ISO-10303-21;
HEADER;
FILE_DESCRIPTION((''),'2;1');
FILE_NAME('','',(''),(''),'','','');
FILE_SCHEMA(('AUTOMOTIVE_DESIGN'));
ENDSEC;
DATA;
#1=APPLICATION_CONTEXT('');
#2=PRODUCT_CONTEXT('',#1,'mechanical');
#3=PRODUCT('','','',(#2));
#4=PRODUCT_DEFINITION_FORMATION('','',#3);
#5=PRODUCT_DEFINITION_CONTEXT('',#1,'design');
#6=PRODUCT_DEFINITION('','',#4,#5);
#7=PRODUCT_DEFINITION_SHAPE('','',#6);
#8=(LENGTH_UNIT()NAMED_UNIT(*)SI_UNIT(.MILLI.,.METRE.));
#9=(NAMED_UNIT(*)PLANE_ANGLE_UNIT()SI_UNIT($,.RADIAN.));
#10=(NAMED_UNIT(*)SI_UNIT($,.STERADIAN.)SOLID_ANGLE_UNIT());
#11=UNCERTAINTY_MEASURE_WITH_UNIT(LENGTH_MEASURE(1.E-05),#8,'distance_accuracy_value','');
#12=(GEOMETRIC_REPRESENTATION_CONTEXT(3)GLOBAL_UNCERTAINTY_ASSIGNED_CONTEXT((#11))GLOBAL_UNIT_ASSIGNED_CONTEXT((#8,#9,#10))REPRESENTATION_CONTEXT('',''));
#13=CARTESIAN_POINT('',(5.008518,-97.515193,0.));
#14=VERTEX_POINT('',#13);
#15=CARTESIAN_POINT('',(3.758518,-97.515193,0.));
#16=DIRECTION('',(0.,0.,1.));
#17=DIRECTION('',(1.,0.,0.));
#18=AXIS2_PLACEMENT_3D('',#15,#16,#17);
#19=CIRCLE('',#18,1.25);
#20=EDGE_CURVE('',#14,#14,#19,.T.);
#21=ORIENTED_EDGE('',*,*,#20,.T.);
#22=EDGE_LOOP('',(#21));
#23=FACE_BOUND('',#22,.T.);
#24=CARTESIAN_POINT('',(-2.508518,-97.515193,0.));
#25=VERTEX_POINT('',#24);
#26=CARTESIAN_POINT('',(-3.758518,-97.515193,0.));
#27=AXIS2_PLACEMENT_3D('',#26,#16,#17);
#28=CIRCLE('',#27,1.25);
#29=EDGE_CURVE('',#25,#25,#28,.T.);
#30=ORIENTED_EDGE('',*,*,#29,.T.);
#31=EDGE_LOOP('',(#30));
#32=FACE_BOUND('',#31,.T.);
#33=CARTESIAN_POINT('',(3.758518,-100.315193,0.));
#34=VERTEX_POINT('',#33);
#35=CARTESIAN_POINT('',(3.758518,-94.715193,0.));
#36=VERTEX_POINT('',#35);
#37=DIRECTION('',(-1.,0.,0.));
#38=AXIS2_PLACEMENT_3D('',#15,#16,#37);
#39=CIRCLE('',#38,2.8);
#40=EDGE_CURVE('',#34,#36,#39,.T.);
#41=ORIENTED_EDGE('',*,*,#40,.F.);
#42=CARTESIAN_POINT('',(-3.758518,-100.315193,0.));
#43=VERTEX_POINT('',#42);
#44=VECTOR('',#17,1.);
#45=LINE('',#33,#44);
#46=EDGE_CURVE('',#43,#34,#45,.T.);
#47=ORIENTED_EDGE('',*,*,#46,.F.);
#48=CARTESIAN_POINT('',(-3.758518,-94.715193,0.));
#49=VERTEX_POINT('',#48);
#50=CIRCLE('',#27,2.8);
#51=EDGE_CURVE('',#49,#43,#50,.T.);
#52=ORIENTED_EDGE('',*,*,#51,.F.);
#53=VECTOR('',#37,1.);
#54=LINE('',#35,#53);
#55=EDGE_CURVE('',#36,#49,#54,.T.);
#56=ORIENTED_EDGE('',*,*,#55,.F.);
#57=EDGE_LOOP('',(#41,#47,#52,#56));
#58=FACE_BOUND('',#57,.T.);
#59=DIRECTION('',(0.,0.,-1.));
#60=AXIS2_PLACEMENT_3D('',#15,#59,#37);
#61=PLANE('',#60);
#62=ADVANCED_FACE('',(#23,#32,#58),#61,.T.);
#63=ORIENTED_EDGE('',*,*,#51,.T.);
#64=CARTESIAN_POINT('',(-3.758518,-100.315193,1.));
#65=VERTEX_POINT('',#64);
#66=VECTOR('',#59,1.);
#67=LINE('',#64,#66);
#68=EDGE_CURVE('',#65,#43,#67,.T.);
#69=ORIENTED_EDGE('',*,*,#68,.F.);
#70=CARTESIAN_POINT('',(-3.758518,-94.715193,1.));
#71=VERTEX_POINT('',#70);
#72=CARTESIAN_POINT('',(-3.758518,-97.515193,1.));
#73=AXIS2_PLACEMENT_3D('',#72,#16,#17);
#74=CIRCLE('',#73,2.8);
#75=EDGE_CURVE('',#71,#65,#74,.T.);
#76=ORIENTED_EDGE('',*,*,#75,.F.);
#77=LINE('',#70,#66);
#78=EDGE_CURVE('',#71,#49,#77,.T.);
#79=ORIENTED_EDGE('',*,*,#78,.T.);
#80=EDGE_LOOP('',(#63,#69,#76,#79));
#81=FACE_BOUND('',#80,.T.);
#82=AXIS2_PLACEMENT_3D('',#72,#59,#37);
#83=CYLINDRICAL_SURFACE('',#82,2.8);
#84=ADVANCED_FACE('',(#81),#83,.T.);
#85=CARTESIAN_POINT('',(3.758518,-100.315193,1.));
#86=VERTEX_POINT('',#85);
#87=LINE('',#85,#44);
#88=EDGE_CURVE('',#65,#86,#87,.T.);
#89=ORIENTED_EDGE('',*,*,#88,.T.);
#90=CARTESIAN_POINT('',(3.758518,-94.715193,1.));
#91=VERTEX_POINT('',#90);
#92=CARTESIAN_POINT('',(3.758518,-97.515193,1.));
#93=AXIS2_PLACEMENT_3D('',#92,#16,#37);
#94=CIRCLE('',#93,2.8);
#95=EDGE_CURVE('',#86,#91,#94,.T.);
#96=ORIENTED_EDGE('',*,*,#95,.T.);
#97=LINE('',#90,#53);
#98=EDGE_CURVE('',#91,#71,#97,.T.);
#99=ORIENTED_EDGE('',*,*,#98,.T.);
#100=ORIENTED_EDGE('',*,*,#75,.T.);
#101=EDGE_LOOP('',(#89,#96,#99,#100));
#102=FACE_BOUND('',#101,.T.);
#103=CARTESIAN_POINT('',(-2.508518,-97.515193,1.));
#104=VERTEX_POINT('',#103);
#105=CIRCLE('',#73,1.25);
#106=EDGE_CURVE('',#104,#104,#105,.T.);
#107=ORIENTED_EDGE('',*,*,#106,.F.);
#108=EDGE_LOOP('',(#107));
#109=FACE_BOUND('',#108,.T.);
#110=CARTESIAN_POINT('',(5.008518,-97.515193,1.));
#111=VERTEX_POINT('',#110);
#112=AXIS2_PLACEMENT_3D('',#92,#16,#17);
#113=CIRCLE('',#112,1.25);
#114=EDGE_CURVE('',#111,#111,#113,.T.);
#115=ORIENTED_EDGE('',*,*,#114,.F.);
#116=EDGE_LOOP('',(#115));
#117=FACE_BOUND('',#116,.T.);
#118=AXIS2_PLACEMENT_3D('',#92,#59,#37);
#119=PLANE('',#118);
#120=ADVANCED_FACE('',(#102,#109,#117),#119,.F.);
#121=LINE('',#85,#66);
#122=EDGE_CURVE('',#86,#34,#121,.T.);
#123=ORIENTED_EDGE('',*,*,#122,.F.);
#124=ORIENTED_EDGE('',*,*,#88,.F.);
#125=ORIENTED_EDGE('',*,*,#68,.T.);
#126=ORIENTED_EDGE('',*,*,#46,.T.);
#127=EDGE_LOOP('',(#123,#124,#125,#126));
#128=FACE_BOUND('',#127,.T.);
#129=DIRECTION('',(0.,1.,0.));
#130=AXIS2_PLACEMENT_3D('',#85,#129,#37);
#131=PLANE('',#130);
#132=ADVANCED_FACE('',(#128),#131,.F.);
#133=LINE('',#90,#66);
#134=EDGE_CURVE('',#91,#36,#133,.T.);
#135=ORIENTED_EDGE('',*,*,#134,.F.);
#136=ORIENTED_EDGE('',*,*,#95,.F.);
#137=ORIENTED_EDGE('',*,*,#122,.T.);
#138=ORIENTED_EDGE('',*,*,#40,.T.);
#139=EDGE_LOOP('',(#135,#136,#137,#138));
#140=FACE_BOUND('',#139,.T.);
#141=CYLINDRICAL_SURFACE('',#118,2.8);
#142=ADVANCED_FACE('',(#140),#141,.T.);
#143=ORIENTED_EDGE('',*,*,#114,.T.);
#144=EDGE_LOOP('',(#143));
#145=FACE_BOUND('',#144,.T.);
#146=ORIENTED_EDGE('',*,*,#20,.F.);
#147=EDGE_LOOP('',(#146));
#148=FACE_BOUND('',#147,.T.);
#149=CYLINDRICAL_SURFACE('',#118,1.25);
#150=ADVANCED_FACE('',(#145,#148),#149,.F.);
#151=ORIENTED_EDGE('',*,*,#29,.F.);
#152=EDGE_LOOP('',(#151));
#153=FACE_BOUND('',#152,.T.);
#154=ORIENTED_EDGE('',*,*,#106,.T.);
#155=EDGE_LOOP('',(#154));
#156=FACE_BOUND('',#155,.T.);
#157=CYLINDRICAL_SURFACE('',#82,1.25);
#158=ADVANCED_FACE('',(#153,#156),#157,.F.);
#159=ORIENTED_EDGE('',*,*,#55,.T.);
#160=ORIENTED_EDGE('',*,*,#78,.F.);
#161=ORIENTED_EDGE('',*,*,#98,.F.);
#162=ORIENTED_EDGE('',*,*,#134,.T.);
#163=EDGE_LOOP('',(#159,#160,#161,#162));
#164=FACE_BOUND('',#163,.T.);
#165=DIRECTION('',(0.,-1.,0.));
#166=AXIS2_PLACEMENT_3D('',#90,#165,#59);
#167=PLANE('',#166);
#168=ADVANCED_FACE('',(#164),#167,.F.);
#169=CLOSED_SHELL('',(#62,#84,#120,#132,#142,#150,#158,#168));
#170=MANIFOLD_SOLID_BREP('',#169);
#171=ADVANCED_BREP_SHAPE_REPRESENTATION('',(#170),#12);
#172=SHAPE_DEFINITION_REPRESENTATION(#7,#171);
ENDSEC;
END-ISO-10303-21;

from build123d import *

# Parameters (mm, degrees)
SKETCH_1_R      = 1.250000002
SKETCH_1_R_2    = 1.25
EXTRUDE_1_DEPTH = 1


with BuildPart() as part:
    # 草图1 → 凸台-拉伸1 (new body)
    with BuildSketch(Plane.XY):
        with BuildLine():
            Line((3.758518176, -94.715193203), (-3.758518176, -94.715193203))
            ThreePointArc((-3.758518176, -94.715193203), (-6.558518176, -97.515193203), (-3.758518176, -100.315193203))
            Line((-3.758518176, -100.315193203), (3.758518176, -100.315193203))
            ThreePointArc((3.758518176, -100.315193203), (6.558518176, -97.515193203), (3.758518176, -94.715193203))
        make_face()
        with Locations((3.758518176, -97.515193203)):
            Circle(SKETCH_1_R, mode=Mode.SUBTRACT)
        with Locations((-3.758518176, -97.515193203)):
            Circle(SKETCH_1_R_2, mode=Mode.SUBTRACT)
    extrude(amount=EXTRUDE_1_DEPTH)


solid = part.part
